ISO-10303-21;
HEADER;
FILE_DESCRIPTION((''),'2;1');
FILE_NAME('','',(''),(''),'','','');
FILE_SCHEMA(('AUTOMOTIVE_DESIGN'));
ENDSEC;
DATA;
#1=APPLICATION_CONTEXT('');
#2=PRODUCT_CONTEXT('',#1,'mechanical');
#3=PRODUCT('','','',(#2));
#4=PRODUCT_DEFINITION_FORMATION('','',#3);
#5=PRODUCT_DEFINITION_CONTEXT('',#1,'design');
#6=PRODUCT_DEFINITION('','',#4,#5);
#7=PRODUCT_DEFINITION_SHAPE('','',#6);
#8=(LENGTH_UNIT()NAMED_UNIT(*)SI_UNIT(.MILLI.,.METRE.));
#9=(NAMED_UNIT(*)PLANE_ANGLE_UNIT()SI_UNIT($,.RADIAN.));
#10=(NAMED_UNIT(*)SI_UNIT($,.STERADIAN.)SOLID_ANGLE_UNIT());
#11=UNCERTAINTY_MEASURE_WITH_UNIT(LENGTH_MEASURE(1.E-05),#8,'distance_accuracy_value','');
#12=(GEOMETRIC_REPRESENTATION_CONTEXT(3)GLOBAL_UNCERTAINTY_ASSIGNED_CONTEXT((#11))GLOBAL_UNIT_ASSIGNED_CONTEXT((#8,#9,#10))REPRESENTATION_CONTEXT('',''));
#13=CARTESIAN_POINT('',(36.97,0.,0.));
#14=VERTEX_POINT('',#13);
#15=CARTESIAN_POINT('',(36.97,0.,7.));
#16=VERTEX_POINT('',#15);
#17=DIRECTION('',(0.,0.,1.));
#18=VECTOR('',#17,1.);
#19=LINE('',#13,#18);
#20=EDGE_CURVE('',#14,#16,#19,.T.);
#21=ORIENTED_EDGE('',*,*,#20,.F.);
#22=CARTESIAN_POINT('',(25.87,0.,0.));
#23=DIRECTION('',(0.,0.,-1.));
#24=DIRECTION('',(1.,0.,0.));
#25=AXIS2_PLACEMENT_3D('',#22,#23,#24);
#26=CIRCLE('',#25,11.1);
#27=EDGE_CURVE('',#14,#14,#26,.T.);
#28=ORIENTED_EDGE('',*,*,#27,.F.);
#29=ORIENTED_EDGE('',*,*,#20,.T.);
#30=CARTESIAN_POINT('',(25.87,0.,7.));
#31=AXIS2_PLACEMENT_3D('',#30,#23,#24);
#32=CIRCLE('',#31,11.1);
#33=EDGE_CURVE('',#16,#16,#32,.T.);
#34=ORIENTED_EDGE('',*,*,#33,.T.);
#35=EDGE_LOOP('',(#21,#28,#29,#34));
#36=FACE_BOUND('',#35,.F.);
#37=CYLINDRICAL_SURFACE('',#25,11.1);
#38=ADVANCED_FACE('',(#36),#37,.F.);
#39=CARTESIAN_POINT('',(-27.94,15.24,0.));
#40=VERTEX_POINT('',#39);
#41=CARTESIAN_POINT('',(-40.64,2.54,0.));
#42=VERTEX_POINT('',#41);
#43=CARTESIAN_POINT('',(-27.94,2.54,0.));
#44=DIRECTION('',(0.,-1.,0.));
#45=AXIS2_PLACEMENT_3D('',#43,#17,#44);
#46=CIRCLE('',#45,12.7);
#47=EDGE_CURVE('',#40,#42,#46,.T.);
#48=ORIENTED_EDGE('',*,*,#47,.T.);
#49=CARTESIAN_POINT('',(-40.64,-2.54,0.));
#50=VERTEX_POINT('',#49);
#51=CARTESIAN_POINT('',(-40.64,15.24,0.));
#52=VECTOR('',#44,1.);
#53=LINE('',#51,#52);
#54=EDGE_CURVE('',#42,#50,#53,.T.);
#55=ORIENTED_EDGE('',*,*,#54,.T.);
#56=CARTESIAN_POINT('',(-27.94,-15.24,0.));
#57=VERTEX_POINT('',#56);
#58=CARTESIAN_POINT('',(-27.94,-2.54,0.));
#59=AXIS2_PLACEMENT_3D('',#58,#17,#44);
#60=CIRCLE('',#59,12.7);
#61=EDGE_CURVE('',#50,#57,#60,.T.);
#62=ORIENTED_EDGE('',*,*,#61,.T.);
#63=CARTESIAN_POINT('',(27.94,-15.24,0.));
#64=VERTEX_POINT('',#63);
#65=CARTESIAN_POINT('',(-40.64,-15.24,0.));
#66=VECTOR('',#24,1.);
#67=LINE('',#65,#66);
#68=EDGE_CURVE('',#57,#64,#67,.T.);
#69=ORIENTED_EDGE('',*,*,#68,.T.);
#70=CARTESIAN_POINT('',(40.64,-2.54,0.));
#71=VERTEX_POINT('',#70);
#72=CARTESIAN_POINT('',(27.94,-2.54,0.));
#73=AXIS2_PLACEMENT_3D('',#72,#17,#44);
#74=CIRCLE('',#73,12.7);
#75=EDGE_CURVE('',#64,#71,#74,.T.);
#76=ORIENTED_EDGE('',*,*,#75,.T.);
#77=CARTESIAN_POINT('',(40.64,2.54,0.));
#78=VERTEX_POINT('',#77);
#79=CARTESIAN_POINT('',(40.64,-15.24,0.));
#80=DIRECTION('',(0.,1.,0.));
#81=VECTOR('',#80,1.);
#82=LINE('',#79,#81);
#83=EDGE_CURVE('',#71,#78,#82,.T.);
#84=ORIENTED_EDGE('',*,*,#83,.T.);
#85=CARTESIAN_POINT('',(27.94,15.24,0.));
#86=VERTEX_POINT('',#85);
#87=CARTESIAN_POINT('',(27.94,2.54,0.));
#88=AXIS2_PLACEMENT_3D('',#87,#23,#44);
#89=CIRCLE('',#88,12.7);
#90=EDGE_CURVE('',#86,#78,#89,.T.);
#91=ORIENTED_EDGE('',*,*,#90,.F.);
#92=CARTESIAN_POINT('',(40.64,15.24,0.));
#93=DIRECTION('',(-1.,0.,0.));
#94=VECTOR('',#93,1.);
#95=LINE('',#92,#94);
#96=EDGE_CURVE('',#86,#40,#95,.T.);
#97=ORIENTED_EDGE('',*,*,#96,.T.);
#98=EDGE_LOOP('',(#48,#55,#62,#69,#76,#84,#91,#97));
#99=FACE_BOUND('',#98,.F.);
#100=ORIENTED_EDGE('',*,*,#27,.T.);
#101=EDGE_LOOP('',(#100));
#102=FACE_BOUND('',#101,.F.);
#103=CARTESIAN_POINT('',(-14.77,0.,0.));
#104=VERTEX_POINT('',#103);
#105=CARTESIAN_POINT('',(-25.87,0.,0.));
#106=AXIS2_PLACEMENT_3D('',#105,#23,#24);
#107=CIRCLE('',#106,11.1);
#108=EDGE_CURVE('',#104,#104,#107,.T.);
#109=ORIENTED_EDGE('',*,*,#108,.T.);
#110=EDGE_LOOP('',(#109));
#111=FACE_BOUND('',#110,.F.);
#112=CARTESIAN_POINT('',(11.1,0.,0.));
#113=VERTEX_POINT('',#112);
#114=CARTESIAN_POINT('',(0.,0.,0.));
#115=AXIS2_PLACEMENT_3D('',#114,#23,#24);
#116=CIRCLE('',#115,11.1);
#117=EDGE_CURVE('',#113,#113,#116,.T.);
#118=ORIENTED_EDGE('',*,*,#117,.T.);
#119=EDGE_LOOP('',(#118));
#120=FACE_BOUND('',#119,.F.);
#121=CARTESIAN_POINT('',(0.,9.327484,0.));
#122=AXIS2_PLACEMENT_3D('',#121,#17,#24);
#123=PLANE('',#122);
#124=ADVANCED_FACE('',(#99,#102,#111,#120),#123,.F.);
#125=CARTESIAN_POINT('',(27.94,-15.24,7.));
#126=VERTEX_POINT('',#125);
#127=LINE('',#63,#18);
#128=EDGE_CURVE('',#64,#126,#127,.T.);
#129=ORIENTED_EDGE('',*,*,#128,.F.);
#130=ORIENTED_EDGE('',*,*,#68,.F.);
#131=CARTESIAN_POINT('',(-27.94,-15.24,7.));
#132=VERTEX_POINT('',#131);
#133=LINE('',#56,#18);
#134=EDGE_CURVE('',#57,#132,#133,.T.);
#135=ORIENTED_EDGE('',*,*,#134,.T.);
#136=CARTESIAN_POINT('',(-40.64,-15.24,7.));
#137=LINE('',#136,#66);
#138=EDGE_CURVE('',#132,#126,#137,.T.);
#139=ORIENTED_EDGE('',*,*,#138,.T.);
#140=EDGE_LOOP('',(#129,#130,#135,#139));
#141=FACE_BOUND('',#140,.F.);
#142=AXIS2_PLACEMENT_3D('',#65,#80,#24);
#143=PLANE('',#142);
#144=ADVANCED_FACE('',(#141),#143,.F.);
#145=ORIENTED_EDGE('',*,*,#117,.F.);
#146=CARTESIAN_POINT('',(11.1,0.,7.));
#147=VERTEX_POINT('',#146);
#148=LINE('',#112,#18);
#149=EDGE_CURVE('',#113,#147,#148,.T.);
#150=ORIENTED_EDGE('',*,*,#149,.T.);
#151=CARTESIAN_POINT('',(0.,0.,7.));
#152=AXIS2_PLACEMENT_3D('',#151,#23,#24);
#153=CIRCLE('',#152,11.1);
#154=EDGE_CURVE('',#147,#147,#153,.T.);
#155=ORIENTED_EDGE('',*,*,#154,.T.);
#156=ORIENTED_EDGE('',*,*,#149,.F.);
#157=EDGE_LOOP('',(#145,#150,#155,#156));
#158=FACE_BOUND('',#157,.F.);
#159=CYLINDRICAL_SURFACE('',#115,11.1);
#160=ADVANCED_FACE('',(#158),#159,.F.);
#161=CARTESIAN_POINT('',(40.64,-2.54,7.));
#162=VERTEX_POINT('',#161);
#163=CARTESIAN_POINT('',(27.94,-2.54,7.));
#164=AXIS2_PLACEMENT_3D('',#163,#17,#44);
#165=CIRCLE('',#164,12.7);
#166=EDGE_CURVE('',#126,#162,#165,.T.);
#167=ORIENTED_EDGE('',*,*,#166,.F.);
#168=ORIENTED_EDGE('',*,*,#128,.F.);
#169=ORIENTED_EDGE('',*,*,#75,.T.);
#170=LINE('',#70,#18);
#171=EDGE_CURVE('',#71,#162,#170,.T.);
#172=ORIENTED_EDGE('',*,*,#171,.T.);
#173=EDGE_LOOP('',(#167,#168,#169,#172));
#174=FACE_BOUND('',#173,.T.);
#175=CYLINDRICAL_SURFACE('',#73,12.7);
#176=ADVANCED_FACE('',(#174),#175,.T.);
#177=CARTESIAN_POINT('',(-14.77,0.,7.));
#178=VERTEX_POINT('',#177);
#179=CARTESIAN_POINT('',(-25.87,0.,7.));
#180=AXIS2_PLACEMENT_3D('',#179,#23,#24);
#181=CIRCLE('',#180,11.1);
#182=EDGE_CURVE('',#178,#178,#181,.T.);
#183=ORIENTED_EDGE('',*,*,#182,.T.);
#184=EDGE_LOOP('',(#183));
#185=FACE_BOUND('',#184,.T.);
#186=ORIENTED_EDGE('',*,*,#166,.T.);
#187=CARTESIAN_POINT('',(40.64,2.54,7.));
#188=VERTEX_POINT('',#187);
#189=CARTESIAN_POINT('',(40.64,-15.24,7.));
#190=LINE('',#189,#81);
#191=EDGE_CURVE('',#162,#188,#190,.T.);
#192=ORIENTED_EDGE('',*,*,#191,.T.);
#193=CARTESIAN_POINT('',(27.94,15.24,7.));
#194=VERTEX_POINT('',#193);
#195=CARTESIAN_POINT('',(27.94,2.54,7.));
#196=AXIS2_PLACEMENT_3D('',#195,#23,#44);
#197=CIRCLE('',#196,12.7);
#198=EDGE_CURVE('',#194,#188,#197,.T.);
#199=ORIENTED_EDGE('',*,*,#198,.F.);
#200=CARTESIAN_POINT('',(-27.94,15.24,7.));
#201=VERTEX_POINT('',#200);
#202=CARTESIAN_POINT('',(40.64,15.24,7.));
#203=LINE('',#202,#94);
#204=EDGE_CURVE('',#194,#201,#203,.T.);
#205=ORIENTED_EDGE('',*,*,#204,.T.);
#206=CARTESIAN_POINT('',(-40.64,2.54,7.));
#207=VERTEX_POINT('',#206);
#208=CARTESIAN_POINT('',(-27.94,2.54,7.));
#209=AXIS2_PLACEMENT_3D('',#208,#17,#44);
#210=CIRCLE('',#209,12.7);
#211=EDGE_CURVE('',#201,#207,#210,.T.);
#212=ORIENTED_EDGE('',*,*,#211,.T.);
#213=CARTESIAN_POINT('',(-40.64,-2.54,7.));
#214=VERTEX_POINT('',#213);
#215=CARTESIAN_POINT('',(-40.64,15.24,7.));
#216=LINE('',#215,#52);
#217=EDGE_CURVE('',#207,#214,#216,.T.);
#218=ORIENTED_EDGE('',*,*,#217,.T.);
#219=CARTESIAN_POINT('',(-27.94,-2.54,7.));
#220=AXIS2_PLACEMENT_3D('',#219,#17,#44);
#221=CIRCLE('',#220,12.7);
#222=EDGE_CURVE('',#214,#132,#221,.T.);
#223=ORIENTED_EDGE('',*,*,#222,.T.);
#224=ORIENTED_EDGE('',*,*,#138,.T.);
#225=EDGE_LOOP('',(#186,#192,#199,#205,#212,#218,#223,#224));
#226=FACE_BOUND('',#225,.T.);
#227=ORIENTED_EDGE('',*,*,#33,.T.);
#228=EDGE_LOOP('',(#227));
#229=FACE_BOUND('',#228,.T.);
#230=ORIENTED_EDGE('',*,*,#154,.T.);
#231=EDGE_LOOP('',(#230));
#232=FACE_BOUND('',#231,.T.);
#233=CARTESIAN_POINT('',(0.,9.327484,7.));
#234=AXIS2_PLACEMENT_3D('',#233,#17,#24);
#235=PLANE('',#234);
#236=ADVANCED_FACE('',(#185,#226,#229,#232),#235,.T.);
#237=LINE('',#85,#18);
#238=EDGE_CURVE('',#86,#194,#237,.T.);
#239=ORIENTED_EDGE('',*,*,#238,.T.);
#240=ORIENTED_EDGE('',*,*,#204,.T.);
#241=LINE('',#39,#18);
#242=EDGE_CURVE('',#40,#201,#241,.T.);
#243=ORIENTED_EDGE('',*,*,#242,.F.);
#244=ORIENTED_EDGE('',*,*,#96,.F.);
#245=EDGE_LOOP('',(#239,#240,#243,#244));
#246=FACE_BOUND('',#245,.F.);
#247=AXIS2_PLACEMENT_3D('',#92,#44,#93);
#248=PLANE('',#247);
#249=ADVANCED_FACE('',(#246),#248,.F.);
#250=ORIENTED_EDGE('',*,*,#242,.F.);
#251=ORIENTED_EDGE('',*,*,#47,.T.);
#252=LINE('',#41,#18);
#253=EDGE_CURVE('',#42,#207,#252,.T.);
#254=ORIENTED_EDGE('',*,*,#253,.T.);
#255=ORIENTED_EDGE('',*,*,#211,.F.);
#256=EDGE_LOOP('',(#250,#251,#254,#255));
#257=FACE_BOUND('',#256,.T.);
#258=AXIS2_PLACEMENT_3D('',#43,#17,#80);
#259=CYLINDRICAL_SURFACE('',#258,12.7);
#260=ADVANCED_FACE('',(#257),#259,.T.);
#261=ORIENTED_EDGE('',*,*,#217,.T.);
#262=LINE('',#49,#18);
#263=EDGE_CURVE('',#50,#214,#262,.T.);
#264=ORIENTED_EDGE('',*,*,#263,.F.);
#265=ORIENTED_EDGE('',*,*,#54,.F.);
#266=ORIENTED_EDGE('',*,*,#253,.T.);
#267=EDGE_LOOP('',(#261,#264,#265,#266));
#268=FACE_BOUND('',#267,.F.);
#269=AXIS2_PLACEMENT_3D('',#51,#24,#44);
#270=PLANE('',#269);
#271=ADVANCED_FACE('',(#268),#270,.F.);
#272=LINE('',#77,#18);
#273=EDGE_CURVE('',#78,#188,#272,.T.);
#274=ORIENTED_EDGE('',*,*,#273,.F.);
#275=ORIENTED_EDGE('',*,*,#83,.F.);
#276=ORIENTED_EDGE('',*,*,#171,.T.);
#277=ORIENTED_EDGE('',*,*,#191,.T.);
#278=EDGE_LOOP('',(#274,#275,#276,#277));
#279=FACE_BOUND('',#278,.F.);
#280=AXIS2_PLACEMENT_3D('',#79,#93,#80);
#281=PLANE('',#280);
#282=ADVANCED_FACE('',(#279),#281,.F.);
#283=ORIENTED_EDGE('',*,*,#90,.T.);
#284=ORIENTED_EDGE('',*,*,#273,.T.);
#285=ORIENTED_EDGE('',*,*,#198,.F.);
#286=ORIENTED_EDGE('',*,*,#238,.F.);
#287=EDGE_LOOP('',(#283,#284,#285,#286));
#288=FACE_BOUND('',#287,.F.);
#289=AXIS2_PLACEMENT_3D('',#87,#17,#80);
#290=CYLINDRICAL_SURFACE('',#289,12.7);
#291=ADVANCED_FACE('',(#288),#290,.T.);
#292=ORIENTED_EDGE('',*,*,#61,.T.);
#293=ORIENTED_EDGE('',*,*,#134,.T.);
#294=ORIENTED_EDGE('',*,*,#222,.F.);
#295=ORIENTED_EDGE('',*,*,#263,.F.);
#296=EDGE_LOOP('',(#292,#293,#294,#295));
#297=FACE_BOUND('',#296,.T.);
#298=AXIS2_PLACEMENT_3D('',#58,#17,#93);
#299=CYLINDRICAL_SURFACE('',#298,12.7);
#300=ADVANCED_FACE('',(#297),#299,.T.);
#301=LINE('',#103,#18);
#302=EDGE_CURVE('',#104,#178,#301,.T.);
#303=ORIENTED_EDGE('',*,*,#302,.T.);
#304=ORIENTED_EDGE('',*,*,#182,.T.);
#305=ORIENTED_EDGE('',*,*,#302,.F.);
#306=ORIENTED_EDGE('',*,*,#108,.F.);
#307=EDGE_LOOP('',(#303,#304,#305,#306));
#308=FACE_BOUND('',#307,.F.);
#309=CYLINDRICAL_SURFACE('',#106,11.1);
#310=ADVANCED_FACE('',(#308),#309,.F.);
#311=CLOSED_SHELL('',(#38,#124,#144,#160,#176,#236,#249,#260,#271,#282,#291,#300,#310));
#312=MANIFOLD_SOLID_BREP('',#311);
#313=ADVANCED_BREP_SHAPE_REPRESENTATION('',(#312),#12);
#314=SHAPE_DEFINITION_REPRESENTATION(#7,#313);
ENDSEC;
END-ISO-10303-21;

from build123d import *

# Parameters (mm, degrees)
F1_DEPTH = 7
F2_R     = 12.7


with BuildPart() as f1:
    # F0 (on Top) → F1 (new body)
    with BuildSketch(Plane.XY):
        with BuildLine():
            ThreePointArc((-11.1, 0), (0, 11.1), (11.1, 0))
            Line((11.1, 0), (14.77, 0))
            ThreePointArc((14.77, 0), (25.87, 11.1), (36.97, 0))
            Line((36.97, 0), (40.64, 0))
            Line((40.64, 0), (40.64, 15.24))
            Line((40.64, 15.24), (-40.64, 15.24))
            Line((-40.64, 15.24), (-40.64, 0))
            Line((-40.64, 0), (-36.97, 0))
            ThreePointArc((-36.97, 0), (-25.87, 11.1), (-14.77, 0))
            Line((-14.77, 0), (-11.1, 0))
        make_face()
        with BuildLine():
            Line((14.77, 0), (11.1, 0))
            ThreePointArc((11.1, 0), (0, -11.1), (-11.1, 0))
            Line((-11.1, 0), (-14.77, 0))
            ThreePointArc((-14.77, 0), (-25.87, -11.1), (-36.97, 0))
            Line((-36.97, 0), (-40.64, 0))
            Line((-40.64, 0), (-40.64, -15.24))
            Line((-40.64, -15.24), (40.64, -15.24))
            Line((40.64, -15.24), (40.64, 0))
            Line((40.64, 0), (36.97, 0))
            ThreePointArc((36.97, 0), (25.87, -11.1), (14.77, 0))
        make_face()
    extrude(amount=F1_DEPTH)

    # F2
    f2_edges = [f1.edges().sort_by_distance(p)[0] for p in [
        (40.64, 15.24, 3.5),
        (40.64, -15.24, 3.5),
        (-40.64, 15.24, 3.5),
        (-40.64, -15.24, 3.5),
    ]]
    fillet(f2_edges, radius=F2_R)


solid = f1.part
